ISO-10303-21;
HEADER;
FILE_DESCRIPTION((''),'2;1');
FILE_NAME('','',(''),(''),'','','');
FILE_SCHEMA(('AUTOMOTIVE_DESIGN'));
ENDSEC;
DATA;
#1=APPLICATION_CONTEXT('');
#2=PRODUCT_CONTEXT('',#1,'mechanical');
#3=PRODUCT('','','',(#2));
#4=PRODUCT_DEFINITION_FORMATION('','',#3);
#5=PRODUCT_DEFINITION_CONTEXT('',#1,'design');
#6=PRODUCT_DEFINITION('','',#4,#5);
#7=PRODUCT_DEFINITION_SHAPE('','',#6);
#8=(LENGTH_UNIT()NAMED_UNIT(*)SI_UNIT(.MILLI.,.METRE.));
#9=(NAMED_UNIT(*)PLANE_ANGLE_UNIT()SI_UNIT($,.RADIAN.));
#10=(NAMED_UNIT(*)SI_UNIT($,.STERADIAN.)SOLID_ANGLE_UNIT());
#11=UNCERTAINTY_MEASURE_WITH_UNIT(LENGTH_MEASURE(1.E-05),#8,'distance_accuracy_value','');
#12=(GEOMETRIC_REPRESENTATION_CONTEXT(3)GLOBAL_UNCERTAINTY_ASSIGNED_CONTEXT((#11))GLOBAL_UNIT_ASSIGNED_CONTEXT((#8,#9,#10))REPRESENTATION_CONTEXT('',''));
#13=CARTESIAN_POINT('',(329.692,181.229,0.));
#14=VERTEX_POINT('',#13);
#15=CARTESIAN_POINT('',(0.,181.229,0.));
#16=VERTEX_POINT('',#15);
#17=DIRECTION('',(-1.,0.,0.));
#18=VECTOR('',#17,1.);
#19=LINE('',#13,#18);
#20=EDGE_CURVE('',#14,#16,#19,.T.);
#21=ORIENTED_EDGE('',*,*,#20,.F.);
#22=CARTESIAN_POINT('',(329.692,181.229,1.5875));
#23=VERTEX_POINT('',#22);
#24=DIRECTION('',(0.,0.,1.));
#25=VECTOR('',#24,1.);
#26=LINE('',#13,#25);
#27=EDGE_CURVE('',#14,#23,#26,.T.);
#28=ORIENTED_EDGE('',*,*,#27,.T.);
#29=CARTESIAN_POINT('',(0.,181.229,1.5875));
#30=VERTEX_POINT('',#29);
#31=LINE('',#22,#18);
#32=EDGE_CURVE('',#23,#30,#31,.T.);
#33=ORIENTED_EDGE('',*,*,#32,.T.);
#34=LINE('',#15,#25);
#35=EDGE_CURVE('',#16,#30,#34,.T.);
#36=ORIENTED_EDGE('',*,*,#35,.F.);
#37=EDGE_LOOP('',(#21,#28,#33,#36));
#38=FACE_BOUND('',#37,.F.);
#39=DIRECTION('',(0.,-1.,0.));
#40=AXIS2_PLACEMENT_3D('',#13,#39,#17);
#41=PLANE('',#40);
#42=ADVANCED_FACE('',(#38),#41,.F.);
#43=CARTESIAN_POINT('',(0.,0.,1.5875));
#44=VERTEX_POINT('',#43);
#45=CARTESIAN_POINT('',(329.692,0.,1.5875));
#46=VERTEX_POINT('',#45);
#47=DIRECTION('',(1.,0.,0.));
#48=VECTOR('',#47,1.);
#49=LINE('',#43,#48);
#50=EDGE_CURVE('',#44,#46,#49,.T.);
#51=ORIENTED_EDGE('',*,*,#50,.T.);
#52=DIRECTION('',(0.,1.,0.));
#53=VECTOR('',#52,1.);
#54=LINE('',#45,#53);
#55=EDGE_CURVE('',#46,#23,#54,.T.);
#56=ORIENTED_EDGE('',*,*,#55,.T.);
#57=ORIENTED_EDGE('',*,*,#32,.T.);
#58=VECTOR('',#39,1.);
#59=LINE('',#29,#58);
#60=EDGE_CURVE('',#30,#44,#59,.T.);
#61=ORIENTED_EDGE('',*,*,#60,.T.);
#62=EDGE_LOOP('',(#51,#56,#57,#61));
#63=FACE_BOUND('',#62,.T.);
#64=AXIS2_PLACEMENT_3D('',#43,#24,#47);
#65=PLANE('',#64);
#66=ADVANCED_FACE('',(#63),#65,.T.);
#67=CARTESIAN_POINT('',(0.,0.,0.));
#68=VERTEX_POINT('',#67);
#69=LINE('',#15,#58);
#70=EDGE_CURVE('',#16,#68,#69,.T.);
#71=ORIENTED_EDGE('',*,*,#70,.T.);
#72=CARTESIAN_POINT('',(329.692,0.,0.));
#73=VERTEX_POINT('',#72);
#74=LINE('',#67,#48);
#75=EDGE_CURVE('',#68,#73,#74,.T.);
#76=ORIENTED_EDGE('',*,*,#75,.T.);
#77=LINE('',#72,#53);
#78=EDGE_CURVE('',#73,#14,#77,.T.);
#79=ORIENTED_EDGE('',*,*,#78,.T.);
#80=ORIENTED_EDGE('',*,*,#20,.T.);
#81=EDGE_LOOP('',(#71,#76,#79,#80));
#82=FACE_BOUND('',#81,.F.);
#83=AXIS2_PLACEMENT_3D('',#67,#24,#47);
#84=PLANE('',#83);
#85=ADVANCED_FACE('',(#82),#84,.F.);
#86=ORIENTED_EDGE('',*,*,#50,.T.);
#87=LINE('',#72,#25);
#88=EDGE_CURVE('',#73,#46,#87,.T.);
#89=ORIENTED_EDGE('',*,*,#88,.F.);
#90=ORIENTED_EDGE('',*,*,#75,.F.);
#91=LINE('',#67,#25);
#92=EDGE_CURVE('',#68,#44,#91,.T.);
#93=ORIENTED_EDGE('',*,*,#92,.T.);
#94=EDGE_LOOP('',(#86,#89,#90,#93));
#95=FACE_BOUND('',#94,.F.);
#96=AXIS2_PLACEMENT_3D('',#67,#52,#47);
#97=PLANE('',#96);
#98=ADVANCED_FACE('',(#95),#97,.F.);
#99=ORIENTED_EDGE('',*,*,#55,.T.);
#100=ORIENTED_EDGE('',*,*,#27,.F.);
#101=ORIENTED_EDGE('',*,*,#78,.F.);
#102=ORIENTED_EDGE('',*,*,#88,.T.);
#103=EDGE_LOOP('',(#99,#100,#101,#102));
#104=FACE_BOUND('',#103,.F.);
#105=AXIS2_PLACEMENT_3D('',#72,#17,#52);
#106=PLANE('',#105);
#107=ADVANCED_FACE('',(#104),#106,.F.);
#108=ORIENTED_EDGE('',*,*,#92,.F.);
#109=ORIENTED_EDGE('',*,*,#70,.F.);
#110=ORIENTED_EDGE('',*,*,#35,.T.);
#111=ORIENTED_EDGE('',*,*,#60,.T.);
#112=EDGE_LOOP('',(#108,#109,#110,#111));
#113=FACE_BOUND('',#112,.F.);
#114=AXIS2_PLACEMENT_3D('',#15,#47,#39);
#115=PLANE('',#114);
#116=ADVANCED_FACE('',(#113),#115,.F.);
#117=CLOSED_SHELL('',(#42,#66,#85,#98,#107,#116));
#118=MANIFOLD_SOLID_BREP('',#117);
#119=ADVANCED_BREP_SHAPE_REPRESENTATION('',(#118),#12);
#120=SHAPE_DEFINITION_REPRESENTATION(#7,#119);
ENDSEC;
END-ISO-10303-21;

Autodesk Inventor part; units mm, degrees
ref_plane "YZ Plane" through (0, 0, 0) normal (1, 0, 0) x (0, 1, 0)
ref_plane "XZ Plane" through (0, 0, 0) normal (0, 1, 0) x (-1, 0, 0)
ref_plane "XY Plane" through (0, 0, 0) normal (0, 0, 1) x (1, 0, 0)
sketch "Sketch1" plane through (0, 0, 0) normal (0, 0, 1) x (1, 0, 0)
  line L0 (0, 0) -> (329.692, 0)
  line L1 (329.692, 0) -> (329.692, 181.229)
  line L2 (329.692, 181.229) -> (0, 181.229)
  line L3 (0, 181.229) -> (0, 0)
  dimension "d0" = 329.692
  dimension "d1" = 181.229
extrude "Extrusion1" add sketch "Sketch1" along normal blind 1.5875
properties part number "FrontTurretpanel"
